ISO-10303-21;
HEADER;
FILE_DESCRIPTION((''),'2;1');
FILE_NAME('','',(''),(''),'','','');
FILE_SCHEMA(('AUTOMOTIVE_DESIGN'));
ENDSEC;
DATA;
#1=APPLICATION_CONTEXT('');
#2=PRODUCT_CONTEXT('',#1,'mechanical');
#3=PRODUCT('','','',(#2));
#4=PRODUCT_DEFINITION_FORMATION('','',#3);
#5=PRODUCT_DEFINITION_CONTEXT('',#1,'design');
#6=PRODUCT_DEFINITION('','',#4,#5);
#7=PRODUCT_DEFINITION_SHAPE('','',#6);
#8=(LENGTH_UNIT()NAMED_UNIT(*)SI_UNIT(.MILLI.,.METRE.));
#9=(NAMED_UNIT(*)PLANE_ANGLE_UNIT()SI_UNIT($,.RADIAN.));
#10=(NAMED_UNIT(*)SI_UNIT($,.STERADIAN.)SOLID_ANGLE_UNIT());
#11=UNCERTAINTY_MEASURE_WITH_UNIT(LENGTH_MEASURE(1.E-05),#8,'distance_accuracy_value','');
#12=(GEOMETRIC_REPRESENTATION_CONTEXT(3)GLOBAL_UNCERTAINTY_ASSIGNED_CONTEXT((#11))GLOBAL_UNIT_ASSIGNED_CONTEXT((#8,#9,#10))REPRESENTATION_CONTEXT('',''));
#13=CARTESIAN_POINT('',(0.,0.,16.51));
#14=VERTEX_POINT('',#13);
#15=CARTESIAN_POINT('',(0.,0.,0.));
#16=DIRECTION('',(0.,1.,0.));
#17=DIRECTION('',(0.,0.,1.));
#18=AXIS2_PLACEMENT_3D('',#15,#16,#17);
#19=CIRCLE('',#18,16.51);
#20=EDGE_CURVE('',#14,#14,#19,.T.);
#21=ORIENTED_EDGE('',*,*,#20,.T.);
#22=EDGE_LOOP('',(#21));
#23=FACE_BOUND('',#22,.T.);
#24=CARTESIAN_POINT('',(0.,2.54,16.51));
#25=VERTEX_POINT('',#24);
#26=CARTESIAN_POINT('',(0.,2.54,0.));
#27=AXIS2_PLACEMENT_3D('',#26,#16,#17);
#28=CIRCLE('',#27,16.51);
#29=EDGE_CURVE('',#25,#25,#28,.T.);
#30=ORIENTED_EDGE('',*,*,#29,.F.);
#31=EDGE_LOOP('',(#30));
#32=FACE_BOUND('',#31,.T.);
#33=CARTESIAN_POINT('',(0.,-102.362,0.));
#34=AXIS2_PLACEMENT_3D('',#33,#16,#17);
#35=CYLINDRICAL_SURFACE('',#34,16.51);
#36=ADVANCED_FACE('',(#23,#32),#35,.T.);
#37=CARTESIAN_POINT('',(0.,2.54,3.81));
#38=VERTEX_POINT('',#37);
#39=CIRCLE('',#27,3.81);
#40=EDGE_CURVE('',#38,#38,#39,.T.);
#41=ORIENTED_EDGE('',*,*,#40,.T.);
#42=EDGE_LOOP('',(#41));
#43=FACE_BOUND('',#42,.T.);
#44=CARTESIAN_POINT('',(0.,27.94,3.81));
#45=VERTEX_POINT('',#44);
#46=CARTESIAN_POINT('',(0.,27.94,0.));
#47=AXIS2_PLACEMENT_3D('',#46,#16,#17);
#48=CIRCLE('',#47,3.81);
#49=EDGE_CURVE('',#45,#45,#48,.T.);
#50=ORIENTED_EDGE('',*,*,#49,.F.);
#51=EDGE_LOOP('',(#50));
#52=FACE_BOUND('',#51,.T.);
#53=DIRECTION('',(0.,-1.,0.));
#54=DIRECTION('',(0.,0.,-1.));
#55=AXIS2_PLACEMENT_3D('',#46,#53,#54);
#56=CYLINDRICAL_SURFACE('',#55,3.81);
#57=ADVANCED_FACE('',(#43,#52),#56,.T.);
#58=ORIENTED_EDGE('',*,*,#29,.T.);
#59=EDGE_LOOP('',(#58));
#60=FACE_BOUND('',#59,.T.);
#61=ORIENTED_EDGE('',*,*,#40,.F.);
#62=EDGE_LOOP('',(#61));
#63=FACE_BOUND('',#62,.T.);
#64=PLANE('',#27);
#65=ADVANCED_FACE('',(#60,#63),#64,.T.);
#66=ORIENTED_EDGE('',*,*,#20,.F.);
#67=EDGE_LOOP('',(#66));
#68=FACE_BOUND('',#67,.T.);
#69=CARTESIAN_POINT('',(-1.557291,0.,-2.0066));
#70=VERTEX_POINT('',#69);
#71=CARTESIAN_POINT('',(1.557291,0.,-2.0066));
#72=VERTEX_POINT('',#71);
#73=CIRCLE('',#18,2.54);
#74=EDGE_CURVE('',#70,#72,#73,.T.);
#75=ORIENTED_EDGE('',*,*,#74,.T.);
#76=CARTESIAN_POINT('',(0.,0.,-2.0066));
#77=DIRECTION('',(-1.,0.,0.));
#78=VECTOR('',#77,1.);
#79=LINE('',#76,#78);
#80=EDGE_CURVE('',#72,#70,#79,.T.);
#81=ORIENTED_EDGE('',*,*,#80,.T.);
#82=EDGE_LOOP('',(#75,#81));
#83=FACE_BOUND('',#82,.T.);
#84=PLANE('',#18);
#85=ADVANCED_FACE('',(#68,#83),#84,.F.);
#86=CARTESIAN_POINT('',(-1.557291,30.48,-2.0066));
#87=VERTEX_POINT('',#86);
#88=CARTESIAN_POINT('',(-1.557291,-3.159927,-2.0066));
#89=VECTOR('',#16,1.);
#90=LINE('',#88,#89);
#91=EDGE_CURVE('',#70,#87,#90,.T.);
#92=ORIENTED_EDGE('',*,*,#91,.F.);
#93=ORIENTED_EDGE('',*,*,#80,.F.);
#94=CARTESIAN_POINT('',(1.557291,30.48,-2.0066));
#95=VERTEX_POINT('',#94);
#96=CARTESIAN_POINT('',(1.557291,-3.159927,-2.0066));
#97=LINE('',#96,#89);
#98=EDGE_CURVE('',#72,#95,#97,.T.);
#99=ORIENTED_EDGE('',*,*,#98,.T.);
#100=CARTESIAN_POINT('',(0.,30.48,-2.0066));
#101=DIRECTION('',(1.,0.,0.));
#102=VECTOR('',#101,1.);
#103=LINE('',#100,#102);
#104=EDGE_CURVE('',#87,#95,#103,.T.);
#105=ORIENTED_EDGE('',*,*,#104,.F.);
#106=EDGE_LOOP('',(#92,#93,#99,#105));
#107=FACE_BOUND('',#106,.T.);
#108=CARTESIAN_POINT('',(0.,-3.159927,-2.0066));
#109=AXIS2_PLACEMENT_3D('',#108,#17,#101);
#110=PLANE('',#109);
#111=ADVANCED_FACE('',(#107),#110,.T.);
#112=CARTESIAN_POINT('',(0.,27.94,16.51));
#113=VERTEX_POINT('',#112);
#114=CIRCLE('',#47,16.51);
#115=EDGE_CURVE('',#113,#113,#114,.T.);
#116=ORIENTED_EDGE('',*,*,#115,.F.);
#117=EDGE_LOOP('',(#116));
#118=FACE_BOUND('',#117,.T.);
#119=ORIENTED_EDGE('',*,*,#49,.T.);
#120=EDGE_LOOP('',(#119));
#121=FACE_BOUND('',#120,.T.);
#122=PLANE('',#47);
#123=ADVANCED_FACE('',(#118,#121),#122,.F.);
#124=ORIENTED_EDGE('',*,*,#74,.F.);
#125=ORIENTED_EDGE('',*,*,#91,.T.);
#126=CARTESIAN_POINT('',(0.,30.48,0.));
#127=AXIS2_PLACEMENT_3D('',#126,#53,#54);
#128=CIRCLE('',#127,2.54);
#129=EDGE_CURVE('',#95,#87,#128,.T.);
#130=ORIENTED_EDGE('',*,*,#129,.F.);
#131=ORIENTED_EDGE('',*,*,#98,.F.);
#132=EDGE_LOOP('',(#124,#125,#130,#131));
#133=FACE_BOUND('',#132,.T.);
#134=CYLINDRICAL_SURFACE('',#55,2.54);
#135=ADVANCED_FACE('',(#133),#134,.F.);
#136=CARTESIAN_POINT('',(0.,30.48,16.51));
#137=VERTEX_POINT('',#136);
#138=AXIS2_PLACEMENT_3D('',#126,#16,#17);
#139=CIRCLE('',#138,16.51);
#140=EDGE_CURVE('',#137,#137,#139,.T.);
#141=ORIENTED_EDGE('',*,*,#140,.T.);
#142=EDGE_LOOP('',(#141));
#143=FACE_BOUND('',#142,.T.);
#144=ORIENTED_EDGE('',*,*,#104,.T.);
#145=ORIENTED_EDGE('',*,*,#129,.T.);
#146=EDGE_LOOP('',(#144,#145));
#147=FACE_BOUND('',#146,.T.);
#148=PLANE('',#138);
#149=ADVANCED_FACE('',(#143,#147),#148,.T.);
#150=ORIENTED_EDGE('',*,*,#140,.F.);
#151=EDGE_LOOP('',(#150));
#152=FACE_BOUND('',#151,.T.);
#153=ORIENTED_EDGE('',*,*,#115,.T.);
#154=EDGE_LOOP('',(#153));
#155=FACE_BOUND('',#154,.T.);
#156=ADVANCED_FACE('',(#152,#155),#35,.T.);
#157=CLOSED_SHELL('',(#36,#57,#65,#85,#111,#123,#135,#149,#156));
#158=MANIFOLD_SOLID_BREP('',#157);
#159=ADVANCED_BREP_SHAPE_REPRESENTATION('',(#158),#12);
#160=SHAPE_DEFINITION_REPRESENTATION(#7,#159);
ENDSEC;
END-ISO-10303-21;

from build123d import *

# Parameters (mm, degrees)
SKETCH1_R           = 33.02
BOSS_EXTRUDE1_DEPTH = 2.54
SKETCH2_R           = 3.81
SKETCH2_R_2         = 2.54
BOSS_EXTRUDE2_DEPTH = 25.4
SKETCH3_R           = 2.54
CUT_EXTRUDE1_DEPTH  = 25.4
SKETCH4_R           = 33.02
BOSS_EXTRUDE3_DEPTH = 2.54
SKETCH5_R           = 2.54
CUT_EXTRUDE2_DEPTH  = 2.54
BOSS_EXTRUDE4_DEPTH = 30.48
SKETCH7_R           = 33.02
SKETCH7_R_2         = 16.51
CUT_EXTRUDE3_DEPTH  = 132.842


with BuildPart() as part:
    # Sketch1 → Boss-Extrude1 (new body)
    with BuildSketch(Plane(origin=(0, 0, 0), x_dir=(1, 0, 0), z_dir=(0, 1, 0))):
        Circle(SKETCH1_R)
    extrude(amount=BOSS_EXTRUDE1_DEPTH)

    # Sketch2 → Boss-Extrude2 (add)
    with BuildSketch(Plane(origin=(0, 2.54, 0), x_dir=(1, 0, 0), z_dir=(0, 1, 0))):
        Circle(SKETCH2_R)
        Circle(SKETCH2_R_2, mode=Mode.SUBTRACT)
    extrude(amount=BOSS_EXTRUDE2_DEPTH)

    # Sketch3 → Cut-Extrude1 (cut)
    with BuildSketch(Plane(origin=(0, 2.54, 0), x_dir=(1, 0, 0), z_dir=(0, 1, 0))):
        Circle(SKETCH3_R)
    extrude(amount=-CUT_EXTRUDE1_DEPTH, mode=Mode.SUBTRACT)

    # Sketch4 → Boss-Extrude3 (add)
    with BuildSketch(Plane(origin=(0, 27.94, 0), x_dir=(1, 0, 0), z_dir=(0, 1, 0))):
        Circle(SKETCH4_R)
    extrude(amount=BOSS_EXTRUDE3_DEPTH)

    # Sketch5 → Cut-Extrude2 (cut)
    with BuildSketch(Plane.XZ.offset(-27.94)):
        Circle(SKETCH5_R)
    extrude(amount=-CUT_EXTRUDE2_DEPTH, mode=Mode.SUBTRACT)

    # Sketch6 → Boss-Extrude4 (add)
    with BuildSketch(Plane(origin=(0, 30.48, 0), x_dir=(1, 0, 0), z_dir=(0, 1, 0))):
        with BuildLine():
            Line((-1.557291379, 2.0066), (0, 2.0066))
            Line((0, 2.0066), (1.557291379, 2.0066))
            ThreePointArc((1.557291379, 2.0066), (0, 2.54), (-1.557291379, 2.0066))
        make_face()
    extrude(amount=-BOSS_EXTRUDE4_DEPTH)

    # Sketch7 → Cut-Extrude3 (cut)
    with BuildSketch(Plane(origin=(0, 30.48, 0), x_dir=(1, 0, 0), z_dir=(0, 1, 0))):
        Circle(SKETCH7_R)
        Circle(SKETCH7_R_2, mode=Mode.SUBTRACT)
    extrude(amount=-CUT_EXTRUDE3_DEPTH, mode=Mode.SUBTRACT)


solid = part.part
